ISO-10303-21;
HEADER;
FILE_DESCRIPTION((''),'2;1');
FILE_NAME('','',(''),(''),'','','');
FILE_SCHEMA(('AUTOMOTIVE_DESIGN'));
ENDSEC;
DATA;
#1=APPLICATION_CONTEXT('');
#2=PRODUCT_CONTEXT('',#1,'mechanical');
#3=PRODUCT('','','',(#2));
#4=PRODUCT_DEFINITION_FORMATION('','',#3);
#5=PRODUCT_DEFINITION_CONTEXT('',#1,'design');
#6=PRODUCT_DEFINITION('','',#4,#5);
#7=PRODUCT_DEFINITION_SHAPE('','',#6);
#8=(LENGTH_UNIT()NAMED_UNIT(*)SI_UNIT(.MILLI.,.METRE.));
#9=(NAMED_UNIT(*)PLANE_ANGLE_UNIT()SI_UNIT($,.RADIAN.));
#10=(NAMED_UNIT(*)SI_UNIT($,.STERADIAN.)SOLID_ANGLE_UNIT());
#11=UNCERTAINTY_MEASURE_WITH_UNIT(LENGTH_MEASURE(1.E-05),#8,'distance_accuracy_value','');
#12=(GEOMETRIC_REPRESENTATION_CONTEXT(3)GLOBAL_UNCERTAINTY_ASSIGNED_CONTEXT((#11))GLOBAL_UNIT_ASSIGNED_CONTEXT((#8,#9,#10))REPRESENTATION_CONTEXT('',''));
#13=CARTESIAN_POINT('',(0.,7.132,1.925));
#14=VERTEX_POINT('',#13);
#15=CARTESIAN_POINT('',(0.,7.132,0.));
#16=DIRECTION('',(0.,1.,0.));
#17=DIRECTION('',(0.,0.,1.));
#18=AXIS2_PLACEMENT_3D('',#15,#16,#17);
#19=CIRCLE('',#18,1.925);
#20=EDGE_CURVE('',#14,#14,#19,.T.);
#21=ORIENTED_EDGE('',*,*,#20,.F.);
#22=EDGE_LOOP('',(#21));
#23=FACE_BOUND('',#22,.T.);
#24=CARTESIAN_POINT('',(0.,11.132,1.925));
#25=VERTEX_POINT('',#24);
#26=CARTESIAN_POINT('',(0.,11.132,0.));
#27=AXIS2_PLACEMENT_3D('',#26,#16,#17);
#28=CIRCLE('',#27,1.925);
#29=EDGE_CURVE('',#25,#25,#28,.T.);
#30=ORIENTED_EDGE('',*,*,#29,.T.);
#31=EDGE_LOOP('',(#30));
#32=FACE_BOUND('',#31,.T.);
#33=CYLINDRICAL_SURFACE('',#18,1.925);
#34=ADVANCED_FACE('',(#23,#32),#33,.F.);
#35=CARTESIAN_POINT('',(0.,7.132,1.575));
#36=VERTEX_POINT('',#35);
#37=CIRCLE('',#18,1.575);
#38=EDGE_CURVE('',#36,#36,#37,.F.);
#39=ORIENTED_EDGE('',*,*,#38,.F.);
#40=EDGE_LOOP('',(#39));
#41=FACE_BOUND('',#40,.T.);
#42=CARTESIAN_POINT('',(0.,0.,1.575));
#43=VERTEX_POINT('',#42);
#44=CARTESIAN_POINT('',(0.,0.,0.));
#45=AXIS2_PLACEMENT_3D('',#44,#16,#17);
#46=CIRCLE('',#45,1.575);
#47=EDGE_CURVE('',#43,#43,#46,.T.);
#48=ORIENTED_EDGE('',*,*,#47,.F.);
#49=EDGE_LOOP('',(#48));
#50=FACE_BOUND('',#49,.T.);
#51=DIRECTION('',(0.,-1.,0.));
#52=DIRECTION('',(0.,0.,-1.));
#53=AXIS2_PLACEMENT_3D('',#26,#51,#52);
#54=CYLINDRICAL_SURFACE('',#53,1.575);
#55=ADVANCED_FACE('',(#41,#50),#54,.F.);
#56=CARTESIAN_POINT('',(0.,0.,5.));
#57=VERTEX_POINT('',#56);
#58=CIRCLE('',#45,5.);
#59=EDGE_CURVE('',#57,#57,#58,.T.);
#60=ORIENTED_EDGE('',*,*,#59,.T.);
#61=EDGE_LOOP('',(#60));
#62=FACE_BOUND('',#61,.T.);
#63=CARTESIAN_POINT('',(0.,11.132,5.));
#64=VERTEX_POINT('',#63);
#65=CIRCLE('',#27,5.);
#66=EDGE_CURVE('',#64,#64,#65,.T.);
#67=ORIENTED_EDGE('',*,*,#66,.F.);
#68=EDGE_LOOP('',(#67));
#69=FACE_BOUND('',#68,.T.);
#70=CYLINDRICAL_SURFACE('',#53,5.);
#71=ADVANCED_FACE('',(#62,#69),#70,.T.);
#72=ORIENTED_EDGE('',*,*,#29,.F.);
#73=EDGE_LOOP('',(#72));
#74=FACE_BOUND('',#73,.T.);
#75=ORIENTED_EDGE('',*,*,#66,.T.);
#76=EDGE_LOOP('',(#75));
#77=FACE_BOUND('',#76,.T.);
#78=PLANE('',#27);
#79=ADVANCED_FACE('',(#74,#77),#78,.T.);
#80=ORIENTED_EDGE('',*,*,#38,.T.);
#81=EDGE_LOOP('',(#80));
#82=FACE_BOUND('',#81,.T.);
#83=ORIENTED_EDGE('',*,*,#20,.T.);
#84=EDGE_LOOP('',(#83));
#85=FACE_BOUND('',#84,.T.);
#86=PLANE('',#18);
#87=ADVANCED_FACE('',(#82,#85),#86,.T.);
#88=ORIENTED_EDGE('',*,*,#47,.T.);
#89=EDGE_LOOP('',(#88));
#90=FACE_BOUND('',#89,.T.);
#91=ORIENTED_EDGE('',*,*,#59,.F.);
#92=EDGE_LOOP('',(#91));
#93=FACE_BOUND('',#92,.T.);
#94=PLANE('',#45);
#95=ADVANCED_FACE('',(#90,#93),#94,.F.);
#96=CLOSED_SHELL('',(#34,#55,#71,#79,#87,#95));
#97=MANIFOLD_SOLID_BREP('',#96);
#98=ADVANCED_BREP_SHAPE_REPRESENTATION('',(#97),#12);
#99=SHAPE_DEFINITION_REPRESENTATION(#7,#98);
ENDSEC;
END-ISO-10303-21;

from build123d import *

# Parameters (mm, degrees)
SKETCH1_R           = 5
SKETCH1_R_2         = 1.575
BOSS_EXTRUDE1_DEPTH = 11.132
SKETCH2_R           = 1.925
CUT_EXTRUDE1_DEPTH  = 4


with BuildPart() as part:
    # Sketch1 → Boss-Extrude1 (new body)
    with BuildSketch(Plane(origin=(0, 0, 0), x_dir=(1, 0, 0), z_dir=(0, 1, 0))):
        with Locations(Location((0, 0, 0), (0, 0, 270))):
            Circle(SKETCH1_R)
        with Locations(Location((0, 0, 0), (0, 0, 270))):
            Circle(SKETCH1_R_2, mode=Mode.SUBTRACT)
    extrude(amount=BOSS_EXTRUDE1_DEPTH)

    # Sketch2 → Cut-Extrude1 (cut)
    with BuildSketch(Plane(origin=(0, 11.132, 0), x_dir=(1, 0, 0), z_dir=(0, 1, 0))):
        with Locations(Location((0, 0, 0), (0, 0, 270))):
            Circle(SKETCH2_R)
    extrude(amount=-CUT_EXTRUDE1_DEPTH, mode=Mode.SUBTRACT)


solid = part.part
